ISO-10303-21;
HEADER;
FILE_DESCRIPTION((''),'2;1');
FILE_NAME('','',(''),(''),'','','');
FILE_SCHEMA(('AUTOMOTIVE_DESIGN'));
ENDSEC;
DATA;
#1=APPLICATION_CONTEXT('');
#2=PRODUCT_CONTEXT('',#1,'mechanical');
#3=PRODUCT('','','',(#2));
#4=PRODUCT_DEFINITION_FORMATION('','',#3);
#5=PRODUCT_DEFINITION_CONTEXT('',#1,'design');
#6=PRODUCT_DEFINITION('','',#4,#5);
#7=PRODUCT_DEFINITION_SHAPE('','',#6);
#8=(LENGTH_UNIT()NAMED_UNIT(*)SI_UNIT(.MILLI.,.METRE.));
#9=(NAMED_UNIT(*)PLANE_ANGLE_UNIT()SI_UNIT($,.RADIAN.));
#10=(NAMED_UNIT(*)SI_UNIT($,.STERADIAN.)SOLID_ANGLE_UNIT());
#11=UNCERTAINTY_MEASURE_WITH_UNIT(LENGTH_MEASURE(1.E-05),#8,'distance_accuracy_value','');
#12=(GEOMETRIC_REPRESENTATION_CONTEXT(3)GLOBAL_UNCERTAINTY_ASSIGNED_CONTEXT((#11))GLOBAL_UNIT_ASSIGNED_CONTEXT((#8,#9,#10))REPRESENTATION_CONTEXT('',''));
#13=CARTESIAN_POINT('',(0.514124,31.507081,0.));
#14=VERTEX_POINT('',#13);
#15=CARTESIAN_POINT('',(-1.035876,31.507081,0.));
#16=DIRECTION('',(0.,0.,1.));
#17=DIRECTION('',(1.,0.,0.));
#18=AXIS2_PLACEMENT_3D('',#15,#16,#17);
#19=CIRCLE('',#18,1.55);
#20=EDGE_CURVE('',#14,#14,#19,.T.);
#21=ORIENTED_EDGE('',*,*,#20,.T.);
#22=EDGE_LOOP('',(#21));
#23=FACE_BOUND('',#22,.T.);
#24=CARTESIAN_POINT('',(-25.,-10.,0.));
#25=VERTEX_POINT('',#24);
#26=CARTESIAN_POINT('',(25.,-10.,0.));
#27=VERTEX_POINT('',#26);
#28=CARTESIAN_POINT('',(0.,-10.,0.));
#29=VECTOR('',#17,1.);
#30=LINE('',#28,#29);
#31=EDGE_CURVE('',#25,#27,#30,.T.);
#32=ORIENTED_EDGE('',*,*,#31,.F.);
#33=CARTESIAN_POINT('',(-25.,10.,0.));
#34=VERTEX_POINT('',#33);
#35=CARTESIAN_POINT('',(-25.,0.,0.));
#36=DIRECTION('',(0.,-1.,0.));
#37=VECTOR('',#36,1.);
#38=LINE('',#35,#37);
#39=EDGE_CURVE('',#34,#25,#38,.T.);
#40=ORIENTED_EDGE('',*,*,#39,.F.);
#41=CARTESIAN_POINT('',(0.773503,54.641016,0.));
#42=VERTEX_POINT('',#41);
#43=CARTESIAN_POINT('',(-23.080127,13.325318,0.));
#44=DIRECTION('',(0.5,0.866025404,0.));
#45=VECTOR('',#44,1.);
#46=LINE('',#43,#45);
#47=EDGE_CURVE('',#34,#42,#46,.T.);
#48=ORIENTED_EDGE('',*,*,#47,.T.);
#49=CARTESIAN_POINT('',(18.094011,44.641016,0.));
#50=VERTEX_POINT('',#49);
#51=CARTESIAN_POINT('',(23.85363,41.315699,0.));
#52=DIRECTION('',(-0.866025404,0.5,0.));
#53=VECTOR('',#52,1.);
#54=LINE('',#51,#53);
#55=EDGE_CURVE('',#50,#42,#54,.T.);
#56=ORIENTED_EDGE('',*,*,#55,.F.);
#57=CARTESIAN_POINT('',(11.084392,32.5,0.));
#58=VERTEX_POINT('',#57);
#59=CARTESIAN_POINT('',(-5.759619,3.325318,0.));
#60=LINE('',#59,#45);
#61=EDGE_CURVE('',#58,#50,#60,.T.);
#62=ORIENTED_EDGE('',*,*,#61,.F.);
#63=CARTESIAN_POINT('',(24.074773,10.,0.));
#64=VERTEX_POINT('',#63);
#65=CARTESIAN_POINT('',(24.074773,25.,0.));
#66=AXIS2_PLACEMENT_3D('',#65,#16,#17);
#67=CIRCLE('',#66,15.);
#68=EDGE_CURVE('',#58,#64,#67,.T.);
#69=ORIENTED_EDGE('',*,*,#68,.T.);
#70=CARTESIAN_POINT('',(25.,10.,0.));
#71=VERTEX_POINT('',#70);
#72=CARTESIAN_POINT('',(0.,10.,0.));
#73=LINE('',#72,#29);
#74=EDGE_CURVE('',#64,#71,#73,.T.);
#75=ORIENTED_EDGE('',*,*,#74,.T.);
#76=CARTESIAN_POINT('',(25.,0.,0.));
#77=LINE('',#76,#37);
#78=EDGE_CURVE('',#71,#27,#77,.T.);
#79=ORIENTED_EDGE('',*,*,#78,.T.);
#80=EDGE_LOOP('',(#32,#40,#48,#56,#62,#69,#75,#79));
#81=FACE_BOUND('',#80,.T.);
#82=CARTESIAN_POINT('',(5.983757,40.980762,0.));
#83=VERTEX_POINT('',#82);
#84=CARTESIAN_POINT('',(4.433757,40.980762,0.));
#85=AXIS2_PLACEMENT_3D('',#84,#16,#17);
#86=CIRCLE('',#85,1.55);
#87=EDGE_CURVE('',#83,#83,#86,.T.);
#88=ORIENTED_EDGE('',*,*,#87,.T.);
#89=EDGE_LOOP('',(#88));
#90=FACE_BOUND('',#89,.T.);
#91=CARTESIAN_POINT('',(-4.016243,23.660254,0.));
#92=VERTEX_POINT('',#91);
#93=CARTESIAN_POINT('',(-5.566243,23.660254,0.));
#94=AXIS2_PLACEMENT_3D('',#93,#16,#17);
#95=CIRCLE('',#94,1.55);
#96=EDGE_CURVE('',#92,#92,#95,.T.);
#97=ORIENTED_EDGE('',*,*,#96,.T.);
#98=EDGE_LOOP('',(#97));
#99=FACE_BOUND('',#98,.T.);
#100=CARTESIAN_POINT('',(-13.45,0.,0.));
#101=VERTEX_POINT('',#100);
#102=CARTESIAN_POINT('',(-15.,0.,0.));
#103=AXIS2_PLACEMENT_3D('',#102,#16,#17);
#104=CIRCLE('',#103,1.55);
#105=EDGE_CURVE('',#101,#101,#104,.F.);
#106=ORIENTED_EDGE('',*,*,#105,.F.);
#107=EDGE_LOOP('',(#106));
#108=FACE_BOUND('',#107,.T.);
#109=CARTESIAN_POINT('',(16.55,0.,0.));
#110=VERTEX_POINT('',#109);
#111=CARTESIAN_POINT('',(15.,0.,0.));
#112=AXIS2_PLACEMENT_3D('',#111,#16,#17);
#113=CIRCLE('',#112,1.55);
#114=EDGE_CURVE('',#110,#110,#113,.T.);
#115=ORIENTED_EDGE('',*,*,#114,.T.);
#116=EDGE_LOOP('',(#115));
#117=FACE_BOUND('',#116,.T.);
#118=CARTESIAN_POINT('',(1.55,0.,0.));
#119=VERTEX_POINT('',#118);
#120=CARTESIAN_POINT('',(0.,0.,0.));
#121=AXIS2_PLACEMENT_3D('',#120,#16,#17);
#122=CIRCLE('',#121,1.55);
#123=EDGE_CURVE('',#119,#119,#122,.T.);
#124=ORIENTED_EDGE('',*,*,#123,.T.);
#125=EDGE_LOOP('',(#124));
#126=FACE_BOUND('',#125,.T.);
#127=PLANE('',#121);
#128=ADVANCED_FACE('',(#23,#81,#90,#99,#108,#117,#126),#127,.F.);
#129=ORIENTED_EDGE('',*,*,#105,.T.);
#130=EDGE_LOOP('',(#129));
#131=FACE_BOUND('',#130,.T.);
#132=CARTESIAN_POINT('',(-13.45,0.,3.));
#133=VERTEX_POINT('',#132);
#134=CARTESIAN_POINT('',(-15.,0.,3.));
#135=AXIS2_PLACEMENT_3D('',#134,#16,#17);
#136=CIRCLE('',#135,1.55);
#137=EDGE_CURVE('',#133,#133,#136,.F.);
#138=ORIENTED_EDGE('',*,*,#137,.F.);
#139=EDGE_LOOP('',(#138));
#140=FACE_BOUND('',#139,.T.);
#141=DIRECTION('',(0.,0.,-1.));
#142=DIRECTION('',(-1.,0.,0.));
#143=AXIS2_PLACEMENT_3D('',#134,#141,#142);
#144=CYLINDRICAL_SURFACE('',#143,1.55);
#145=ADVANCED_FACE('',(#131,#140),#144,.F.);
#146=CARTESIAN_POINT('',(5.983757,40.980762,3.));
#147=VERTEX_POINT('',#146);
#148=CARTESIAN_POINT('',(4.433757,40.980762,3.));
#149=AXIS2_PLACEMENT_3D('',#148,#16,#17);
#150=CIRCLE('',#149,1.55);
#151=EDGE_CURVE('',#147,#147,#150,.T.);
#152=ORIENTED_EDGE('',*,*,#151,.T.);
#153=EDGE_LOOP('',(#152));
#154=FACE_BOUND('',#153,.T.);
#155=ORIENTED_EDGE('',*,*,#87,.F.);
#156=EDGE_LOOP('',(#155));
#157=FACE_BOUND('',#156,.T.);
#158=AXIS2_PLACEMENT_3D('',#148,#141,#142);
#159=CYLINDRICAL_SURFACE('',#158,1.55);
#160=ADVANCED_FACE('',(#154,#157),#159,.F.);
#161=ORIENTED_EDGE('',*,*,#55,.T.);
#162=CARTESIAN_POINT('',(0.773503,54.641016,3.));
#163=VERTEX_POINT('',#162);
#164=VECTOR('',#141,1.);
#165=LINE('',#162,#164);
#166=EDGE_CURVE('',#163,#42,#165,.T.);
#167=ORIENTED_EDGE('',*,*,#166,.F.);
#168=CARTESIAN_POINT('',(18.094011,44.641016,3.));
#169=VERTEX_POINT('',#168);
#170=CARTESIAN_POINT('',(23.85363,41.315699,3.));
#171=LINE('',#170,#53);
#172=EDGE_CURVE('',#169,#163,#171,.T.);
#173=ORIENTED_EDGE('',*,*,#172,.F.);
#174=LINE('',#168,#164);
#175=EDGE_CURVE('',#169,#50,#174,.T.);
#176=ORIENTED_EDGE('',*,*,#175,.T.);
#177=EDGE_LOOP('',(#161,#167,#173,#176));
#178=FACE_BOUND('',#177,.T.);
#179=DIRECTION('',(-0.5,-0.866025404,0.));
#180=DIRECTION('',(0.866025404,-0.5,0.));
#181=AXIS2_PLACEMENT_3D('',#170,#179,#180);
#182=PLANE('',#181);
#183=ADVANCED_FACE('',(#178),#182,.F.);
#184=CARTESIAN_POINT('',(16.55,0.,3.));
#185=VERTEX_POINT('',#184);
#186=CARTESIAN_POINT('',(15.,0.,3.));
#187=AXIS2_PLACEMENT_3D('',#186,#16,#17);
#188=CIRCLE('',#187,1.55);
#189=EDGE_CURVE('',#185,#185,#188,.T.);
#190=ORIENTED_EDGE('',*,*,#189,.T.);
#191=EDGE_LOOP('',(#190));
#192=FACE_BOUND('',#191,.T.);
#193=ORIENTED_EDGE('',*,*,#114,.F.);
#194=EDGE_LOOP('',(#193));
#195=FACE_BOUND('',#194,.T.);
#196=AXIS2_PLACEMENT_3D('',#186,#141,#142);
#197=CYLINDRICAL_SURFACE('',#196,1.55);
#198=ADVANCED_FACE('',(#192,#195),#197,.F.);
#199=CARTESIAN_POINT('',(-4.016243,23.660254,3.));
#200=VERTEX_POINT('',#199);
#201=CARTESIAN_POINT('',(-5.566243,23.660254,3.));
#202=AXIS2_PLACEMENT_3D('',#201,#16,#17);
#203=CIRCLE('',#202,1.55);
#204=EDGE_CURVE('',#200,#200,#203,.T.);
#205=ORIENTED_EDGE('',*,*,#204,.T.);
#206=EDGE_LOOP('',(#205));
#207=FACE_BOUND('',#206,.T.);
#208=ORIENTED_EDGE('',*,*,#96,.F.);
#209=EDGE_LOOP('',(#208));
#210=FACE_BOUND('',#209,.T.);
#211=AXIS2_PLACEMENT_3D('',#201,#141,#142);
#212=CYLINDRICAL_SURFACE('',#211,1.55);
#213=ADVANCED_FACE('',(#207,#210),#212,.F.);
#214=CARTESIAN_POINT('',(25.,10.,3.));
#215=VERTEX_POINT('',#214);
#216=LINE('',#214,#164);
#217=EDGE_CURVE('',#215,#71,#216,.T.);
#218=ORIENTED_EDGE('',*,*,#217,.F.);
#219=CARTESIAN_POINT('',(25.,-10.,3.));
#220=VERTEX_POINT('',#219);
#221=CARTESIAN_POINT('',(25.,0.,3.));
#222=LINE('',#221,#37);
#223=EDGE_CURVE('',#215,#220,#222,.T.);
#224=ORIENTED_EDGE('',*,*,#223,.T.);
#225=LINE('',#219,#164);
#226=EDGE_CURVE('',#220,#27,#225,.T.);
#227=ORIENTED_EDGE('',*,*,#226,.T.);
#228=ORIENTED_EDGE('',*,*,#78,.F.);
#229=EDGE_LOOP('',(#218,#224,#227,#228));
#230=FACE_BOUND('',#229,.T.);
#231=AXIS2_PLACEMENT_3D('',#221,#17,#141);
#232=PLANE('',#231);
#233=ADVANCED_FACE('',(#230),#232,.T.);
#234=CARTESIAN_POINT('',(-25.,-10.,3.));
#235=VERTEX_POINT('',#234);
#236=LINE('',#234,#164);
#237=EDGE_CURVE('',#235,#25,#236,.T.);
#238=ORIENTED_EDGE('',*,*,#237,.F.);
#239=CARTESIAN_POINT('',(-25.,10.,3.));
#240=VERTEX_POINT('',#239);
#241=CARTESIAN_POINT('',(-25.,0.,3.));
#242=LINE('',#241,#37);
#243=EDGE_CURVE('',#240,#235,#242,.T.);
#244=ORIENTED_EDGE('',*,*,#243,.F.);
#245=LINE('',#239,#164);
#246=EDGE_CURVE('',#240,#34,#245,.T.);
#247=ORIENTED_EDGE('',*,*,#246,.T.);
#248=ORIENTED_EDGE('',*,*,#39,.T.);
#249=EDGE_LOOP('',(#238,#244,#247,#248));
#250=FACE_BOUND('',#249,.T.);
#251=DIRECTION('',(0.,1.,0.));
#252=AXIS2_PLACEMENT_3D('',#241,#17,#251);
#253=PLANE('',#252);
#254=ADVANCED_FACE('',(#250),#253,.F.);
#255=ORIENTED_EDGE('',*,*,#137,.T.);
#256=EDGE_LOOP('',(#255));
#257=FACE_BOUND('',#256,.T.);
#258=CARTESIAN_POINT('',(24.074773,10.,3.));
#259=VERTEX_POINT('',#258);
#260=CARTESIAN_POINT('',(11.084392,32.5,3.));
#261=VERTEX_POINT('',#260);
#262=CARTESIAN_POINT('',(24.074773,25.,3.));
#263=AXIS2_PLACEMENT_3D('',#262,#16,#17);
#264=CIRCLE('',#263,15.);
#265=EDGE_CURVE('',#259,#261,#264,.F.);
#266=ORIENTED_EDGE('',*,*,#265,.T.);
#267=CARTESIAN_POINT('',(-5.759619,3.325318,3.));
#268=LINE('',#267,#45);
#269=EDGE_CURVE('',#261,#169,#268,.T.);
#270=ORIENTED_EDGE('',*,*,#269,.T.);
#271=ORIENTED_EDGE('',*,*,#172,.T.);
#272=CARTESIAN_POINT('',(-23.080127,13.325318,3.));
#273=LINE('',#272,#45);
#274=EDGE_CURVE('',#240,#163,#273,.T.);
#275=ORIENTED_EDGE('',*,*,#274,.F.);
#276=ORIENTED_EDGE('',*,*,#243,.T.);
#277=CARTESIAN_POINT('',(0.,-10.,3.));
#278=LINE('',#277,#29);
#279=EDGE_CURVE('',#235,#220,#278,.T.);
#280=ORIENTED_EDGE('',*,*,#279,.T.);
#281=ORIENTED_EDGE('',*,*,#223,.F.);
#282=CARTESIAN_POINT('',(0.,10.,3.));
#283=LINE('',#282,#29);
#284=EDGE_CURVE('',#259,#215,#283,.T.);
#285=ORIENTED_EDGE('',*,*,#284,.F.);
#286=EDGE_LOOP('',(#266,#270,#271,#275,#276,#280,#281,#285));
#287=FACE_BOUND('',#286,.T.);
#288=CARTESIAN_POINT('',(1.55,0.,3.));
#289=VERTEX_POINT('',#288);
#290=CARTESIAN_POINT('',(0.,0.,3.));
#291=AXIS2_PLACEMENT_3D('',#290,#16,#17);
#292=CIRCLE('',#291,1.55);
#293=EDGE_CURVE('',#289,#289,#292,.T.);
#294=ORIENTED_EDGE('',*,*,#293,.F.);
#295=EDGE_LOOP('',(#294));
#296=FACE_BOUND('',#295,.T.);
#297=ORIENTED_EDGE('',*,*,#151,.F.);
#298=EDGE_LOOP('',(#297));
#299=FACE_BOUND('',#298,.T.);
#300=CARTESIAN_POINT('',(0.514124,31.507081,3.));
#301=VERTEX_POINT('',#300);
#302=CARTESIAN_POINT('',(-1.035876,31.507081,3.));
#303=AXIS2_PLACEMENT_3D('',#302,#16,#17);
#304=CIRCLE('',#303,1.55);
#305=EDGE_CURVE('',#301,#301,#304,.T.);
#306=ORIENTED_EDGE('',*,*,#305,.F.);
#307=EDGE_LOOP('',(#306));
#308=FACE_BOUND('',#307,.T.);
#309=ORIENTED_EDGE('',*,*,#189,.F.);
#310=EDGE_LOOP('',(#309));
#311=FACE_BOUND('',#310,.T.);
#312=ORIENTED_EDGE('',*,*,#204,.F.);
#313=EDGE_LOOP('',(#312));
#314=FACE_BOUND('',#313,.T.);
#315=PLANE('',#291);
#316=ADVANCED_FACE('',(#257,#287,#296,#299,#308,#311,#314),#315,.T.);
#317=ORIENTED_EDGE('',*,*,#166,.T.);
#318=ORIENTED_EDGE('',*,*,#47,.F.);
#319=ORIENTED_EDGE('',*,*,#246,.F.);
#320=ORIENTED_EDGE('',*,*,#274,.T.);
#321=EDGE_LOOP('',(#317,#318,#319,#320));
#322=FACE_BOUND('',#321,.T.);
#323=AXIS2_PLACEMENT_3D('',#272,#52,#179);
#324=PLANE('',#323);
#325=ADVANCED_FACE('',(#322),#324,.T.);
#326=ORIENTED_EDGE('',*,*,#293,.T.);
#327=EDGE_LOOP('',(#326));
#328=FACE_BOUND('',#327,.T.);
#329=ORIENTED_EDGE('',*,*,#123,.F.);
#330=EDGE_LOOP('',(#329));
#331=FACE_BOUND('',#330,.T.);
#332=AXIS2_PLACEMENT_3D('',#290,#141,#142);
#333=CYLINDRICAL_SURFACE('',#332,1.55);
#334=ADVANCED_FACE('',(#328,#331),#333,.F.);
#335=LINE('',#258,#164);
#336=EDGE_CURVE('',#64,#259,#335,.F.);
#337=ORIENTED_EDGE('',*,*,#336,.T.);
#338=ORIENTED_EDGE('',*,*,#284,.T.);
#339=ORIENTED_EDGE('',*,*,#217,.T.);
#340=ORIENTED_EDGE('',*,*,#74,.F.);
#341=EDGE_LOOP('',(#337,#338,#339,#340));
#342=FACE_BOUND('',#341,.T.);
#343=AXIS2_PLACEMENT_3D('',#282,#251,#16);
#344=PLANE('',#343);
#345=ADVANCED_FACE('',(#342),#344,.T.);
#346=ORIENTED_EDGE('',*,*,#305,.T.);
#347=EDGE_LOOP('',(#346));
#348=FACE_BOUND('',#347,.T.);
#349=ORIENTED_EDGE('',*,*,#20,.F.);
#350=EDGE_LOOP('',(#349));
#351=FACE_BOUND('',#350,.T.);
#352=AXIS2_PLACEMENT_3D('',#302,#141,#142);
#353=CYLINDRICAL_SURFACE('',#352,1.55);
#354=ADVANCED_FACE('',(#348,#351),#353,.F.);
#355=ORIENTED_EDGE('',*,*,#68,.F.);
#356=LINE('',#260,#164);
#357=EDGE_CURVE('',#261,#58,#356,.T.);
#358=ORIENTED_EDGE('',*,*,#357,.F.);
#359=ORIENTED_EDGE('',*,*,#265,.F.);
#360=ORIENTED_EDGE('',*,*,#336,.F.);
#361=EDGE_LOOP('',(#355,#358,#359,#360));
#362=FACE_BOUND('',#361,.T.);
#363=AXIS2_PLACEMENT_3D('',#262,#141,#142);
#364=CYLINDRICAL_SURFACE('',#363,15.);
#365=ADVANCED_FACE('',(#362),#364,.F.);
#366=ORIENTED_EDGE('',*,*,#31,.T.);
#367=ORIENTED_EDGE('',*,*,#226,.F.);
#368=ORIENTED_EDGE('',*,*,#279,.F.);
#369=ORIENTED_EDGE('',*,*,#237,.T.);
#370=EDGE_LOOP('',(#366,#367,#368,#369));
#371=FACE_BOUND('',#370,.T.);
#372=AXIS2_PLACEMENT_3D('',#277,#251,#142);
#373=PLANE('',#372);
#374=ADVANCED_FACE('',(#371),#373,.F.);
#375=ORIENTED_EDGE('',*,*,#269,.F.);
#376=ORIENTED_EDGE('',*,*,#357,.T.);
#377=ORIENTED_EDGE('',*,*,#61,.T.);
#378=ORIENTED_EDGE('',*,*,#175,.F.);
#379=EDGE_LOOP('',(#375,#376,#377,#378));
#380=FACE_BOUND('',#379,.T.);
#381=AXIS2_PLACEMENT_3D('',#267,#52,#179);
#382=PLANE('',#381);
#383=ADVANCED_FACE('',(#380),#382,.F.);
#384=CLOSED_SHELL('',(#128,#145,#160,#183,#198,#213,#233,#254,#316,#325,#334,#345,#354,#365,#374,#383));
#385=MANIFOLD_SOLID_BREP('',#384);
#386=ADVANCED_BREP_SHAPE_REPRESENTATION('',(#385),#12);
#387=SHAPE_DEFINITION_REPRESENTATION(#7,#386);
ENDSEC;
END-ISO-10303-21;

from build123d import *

# Parameters (mm, degrees)
SKETCH_1_R      = 1.55
EXTRUDE_1_DEPTH = 3
FILLET_1_R      = 15


with BuildPart() as part:
    # 草图1 → 凸台-拉伸1 (new body)
    with BuildSketch(Plane.XY):
        Polygon((0.773502692, 54.641016151), (-25, 10), (-25, -10), (25, -10), (25, 10), (-1.905989232, 10), (18.094010768, 44.641016151), align=None)
        with Locations((-5.56624327, 23.660254038)):
            Circle(SKETCH_1_R, mode=Mode.SUBTRACT)
        with Locations((-1.035875539, 31.507081126)):
            Circle(SKETCH_1_R, mode=Mode.SUBTRACT)
        with Locations((4.43375673, 40.980762114)):
            Circle(SKETCH_1_R, mode=Mode.SUBTRACT)
        with Locations((15, 0)):
            Circle(SKETCH_1_R, mode=Mode.SUBTRACT)
        with Locations((-15, 0)):
            Circle(SKETCH_1_R, mode=Mode.SUBTRACT)
        Circle(SKETCH_1_R, mode=Mode.SUBTRACT)
    extrude(amount=EXTRUDE_1_DEPTH)

    # 圆角1
    fillet_1_edges = [part.edges().sort_by_distance(p)[0] for p in [
        (-1.905989232, 10, 1.5),
    ]]
    fillet(fillet_1_edges, radius=FILLET_1_R)


solid = part.part
